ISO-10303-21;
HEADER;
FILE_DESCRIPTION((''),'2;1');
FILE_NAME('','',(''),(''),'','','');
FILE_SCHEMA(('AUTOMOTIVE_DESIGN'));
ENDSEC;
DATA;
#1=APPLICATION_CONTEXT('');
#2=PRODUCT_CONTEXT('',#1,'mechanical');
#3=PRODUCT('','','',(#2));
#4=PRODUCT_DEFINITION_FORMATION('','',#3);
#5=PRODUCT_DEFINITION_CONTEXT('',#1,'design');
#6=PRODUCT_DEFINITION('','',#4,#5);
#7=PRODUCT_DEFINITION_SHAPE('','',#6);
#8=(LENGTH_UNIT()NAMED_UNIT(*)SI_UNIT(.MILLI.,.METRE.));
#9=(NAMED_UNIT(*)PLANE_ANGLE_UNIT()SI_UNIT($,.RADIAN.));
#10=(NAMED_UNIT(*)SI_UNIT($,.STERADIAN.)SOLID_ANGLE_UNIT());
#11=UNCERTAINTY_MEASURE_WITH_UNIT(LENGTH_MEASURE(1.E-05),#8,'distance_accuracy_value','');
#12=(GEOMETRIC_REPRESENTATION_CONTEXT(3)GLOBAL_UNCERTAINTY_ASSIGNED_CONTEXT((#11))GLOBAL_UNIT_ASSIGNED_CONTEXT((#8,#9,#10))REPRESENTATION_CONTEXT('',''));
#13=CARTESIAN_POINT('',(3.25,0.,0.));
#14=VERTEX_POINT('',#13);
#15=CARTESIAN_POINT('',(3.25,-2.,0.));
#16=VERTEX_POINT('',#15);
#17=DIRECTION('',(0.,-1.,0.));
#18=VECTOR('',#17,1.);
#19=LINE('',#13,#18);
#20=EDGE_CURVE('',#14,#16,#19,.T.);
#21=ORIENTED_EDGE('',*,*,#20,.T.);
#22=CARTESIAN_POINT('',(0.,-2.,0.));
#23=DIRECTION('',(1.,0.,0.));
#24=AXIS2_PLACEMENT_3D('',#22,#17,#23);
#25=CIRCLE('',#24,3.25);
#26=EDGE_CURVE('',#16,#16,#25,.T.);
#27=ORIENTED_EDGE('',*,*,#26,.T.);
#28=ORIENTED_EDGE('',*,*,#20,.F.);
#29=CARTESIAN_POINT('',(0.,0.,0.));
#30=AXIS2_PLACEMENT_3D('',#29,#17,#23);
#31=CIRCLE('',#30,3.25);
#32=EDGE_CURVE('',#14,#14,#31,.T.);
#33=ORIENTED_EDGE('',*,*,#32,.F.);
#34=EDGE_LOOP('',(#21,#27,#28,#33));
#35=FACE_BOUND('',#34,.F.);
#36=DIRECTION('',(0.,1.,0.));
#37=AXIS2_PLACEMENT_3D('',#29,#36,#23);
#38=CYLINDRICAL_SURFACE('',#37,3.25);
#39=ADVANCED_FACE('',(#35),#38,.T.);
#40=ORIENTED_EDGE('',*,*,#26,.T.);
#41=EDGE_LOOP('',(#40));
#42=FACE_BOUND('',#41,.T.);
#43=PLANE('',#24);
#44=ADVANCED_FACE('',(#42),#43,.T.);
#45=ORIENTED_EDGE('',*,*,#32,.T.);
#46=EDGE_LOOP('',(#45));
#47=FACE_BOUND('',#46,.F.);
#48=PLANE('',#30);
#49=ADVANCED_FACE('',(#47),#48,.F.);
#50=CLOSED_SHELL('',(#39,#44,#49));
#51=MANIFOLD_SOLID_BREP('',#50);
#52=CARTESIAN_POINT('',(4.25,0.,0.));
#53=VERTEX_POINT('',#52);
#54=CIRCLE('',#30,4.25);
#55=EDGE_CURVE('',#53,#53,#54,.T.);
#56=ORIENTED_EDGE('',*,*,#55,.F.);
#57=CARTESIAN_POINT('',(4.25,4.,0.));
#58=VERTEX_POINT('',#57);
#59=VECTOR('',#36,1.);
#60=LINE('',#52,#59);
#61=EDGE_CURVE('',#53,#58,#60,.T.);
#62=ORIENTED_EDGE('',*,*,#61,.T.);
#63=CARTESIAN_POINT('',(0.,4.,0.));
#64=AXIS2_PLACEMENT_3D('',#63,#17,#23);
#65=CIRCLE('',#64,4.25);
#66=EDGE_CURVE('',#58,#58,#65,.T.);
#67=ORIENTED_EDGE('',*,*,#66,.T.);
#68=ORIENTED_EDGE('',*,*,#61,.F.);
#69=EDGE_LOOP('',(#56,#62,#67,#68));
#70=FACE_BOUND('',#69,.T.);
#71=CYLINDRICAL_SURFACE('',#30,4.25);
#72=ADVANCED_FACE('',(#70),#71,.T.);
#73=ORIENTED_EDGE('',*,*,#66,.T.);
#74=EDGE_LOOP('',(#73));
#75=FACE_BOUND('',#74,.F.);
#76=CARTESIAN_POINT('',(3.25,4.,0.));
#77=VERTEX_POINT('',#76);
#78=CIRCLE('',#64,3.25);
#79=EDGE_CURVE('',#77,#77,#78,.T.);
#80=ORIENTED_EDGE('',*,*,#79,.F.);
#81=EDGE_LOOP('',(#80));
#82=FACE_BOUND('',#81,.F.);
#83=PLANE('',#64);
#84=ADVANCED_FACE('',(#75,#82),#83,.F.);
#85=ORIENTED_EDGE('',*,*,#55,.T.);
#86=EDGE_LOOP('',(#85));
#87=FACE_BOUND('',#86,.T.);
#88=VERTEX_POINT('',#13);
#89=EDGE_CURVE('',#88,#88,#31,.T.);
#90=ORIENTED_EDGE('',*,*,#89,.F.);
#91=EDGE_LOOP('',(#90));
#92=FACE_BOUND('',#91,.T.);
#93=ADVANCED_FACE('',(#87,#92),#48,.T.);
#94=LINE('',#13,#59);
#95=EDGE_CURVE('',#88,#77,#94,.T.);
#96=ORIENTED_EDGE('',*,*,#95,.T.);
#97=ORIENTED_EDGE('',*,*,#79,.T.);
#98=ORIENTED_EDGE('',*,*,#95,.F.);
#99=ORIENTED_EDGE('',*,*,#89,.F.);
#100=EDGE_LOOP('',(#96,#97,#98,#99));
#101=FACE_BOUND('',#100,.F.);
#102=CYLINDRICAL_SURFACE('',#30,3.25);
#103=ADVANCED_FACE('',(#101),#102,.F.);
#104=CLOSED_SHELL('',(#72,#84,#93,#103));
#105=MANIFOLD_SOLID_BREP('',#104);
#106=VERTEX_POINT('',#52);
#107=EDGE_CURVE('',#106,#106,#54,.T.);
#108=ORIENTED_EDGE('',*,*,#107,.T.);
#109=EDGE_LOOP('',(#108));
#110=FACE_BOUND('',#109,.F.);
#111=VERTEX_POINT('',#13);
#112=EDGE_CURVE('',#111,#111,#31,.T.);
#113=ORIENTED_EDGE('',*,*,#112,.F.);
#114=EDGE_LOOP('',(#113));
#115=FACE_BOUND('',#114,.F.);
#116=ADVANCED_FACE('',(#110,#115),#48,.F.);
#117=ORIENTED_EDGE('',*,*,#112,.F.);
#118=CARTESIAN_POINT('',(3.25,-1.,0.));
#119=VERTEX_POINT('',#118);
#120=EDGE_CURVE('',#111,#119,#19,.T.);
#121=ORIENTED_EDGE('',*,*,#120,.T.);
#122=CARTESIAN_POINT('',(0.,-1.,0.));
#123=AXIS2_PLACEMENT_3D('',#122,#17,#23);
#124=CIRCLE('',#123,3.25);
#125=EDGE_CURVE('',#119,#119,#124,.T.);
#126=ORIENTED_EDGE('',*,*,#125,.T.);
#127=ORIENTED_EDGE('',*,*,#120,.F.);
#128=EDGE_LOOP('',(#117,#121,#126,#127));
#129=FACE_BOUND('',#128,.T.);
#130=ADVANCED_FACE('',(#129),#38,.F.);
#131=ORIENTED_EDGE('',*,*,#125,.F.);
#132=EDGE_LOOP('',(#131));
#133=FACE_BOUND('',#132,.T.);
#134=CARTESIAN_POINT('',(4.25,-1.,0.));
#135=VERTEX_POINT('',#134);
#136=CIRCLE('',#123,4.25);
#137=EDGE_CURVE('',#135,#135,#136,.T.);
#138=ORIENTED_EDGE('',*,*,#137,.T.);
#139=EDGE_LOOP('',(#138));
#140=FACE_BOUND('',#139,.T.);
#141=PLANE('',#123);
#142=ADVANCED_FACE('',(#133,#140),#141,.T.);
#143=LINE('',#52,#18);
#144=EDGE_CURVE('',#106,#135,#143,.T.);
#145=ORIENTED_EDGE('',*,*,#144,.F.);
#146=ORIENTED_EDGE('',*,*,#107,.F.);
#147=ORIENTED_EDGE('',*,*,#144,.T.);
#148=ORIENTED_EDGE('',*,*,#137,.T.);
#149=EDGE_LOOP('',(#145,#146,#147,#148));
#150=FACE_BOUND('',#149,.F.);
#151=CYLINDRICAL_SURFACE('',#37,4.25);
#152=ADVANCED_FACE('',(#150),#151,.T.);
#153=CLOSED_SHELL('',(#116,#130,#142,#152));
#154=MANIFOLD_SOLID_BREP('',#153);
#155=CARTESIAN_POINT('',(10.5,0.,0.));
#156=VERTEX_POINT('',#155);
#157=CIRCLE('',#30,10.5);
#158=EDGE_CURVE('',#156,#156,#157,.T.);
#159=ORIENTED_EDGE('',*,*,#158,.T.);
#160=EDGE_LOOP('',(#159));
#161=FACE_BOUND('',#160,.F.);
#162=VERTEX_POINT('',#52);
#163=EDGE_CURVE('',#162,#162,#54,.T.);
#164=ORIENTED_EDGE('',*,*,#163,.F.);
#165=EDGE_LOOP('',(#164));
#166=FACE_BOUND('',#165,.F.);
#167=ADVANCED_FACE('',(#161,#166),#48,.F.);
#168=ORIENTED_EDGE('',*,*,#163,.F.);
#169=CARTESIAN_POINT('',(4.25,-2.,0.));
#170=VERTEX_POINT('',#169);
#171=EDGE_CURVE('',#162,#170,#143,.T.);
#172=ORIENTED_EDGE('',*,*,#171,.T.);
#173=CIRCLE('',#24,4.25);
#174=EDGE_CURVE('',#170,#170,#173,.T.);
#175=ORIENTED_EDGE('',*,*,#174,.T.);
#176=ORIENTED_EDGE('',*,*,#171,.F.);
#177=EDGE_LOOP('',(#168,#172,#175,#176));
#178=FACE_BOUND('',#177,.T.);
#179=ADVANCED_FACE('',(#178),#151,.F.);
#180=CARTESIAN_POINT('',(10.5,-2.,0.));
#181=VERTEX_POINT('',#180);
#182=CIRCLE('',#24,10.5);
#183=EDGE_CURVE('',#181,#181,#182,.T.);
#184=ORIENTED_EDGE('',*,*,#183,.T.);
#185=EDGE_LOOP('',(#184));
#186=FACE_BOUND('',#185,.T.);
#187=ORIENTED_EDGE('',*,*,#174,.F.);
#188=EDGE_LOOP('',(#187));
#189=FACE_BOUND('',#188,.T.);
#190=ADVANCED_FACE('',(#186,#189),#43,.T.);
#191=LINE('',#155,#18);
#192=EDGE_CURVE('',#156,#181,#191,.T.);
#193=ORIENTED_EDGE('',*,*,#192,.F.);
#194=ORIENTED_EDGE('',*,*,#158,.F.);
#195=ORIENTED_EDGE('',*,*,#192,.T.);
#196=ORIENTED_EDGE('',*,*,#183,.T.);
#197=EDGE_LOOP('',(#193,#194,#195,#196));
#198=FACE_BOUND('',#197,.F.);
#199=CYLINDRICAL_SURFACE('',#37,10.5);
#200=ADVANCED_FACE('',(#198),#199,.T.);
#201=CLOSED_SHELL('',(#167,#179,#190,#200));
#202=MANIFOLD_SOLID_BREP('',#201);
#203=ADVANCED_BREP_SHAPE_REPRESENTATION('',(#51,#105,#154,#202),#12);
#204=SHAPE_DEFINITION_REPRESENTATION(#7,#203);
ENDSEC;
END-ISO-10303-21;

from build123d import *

# Parameters (mm, degrees)
F0_R     = 10.5
F0_R_2   = 4.25
F0_R_3   = 3.25
F1_DEPTH = 2
F2_DEPTH = 4
F3_DEPTH = 1


with BuildPart() as f1:
    # F0 (on Front) → F1 (new body)
    with BuildSketch(Plane.XZ):
        Circle(F0_R)
        Circle(F0_R_2, mode=Mode.SUBTRACT)
        Circle(F0_R_3)
    extrude(amount=F1_DEPTH)


with BuildPart() as f2:
    # F0 (on Front) → F2 (new body)
    with BuildSketch(Plane.XZ):
        Circle(F0_R_2)
        Circle(F0_R_3, mode=Mode.SUBTRACT)
    extrude(amount=-F2_DEPTH)


with BuildPart() as f3:
    # F0 (on Front) → F3 (new body)
    with BuildSketch(Plane.XZ):
        Circle(F0_R_2)
        Circle(F0_R_3, mode=Mode.SUBTRACT)
    extrude(amount=F3_DEPTH)


solid = Compound([f1.part, f2.part, f3.part])
